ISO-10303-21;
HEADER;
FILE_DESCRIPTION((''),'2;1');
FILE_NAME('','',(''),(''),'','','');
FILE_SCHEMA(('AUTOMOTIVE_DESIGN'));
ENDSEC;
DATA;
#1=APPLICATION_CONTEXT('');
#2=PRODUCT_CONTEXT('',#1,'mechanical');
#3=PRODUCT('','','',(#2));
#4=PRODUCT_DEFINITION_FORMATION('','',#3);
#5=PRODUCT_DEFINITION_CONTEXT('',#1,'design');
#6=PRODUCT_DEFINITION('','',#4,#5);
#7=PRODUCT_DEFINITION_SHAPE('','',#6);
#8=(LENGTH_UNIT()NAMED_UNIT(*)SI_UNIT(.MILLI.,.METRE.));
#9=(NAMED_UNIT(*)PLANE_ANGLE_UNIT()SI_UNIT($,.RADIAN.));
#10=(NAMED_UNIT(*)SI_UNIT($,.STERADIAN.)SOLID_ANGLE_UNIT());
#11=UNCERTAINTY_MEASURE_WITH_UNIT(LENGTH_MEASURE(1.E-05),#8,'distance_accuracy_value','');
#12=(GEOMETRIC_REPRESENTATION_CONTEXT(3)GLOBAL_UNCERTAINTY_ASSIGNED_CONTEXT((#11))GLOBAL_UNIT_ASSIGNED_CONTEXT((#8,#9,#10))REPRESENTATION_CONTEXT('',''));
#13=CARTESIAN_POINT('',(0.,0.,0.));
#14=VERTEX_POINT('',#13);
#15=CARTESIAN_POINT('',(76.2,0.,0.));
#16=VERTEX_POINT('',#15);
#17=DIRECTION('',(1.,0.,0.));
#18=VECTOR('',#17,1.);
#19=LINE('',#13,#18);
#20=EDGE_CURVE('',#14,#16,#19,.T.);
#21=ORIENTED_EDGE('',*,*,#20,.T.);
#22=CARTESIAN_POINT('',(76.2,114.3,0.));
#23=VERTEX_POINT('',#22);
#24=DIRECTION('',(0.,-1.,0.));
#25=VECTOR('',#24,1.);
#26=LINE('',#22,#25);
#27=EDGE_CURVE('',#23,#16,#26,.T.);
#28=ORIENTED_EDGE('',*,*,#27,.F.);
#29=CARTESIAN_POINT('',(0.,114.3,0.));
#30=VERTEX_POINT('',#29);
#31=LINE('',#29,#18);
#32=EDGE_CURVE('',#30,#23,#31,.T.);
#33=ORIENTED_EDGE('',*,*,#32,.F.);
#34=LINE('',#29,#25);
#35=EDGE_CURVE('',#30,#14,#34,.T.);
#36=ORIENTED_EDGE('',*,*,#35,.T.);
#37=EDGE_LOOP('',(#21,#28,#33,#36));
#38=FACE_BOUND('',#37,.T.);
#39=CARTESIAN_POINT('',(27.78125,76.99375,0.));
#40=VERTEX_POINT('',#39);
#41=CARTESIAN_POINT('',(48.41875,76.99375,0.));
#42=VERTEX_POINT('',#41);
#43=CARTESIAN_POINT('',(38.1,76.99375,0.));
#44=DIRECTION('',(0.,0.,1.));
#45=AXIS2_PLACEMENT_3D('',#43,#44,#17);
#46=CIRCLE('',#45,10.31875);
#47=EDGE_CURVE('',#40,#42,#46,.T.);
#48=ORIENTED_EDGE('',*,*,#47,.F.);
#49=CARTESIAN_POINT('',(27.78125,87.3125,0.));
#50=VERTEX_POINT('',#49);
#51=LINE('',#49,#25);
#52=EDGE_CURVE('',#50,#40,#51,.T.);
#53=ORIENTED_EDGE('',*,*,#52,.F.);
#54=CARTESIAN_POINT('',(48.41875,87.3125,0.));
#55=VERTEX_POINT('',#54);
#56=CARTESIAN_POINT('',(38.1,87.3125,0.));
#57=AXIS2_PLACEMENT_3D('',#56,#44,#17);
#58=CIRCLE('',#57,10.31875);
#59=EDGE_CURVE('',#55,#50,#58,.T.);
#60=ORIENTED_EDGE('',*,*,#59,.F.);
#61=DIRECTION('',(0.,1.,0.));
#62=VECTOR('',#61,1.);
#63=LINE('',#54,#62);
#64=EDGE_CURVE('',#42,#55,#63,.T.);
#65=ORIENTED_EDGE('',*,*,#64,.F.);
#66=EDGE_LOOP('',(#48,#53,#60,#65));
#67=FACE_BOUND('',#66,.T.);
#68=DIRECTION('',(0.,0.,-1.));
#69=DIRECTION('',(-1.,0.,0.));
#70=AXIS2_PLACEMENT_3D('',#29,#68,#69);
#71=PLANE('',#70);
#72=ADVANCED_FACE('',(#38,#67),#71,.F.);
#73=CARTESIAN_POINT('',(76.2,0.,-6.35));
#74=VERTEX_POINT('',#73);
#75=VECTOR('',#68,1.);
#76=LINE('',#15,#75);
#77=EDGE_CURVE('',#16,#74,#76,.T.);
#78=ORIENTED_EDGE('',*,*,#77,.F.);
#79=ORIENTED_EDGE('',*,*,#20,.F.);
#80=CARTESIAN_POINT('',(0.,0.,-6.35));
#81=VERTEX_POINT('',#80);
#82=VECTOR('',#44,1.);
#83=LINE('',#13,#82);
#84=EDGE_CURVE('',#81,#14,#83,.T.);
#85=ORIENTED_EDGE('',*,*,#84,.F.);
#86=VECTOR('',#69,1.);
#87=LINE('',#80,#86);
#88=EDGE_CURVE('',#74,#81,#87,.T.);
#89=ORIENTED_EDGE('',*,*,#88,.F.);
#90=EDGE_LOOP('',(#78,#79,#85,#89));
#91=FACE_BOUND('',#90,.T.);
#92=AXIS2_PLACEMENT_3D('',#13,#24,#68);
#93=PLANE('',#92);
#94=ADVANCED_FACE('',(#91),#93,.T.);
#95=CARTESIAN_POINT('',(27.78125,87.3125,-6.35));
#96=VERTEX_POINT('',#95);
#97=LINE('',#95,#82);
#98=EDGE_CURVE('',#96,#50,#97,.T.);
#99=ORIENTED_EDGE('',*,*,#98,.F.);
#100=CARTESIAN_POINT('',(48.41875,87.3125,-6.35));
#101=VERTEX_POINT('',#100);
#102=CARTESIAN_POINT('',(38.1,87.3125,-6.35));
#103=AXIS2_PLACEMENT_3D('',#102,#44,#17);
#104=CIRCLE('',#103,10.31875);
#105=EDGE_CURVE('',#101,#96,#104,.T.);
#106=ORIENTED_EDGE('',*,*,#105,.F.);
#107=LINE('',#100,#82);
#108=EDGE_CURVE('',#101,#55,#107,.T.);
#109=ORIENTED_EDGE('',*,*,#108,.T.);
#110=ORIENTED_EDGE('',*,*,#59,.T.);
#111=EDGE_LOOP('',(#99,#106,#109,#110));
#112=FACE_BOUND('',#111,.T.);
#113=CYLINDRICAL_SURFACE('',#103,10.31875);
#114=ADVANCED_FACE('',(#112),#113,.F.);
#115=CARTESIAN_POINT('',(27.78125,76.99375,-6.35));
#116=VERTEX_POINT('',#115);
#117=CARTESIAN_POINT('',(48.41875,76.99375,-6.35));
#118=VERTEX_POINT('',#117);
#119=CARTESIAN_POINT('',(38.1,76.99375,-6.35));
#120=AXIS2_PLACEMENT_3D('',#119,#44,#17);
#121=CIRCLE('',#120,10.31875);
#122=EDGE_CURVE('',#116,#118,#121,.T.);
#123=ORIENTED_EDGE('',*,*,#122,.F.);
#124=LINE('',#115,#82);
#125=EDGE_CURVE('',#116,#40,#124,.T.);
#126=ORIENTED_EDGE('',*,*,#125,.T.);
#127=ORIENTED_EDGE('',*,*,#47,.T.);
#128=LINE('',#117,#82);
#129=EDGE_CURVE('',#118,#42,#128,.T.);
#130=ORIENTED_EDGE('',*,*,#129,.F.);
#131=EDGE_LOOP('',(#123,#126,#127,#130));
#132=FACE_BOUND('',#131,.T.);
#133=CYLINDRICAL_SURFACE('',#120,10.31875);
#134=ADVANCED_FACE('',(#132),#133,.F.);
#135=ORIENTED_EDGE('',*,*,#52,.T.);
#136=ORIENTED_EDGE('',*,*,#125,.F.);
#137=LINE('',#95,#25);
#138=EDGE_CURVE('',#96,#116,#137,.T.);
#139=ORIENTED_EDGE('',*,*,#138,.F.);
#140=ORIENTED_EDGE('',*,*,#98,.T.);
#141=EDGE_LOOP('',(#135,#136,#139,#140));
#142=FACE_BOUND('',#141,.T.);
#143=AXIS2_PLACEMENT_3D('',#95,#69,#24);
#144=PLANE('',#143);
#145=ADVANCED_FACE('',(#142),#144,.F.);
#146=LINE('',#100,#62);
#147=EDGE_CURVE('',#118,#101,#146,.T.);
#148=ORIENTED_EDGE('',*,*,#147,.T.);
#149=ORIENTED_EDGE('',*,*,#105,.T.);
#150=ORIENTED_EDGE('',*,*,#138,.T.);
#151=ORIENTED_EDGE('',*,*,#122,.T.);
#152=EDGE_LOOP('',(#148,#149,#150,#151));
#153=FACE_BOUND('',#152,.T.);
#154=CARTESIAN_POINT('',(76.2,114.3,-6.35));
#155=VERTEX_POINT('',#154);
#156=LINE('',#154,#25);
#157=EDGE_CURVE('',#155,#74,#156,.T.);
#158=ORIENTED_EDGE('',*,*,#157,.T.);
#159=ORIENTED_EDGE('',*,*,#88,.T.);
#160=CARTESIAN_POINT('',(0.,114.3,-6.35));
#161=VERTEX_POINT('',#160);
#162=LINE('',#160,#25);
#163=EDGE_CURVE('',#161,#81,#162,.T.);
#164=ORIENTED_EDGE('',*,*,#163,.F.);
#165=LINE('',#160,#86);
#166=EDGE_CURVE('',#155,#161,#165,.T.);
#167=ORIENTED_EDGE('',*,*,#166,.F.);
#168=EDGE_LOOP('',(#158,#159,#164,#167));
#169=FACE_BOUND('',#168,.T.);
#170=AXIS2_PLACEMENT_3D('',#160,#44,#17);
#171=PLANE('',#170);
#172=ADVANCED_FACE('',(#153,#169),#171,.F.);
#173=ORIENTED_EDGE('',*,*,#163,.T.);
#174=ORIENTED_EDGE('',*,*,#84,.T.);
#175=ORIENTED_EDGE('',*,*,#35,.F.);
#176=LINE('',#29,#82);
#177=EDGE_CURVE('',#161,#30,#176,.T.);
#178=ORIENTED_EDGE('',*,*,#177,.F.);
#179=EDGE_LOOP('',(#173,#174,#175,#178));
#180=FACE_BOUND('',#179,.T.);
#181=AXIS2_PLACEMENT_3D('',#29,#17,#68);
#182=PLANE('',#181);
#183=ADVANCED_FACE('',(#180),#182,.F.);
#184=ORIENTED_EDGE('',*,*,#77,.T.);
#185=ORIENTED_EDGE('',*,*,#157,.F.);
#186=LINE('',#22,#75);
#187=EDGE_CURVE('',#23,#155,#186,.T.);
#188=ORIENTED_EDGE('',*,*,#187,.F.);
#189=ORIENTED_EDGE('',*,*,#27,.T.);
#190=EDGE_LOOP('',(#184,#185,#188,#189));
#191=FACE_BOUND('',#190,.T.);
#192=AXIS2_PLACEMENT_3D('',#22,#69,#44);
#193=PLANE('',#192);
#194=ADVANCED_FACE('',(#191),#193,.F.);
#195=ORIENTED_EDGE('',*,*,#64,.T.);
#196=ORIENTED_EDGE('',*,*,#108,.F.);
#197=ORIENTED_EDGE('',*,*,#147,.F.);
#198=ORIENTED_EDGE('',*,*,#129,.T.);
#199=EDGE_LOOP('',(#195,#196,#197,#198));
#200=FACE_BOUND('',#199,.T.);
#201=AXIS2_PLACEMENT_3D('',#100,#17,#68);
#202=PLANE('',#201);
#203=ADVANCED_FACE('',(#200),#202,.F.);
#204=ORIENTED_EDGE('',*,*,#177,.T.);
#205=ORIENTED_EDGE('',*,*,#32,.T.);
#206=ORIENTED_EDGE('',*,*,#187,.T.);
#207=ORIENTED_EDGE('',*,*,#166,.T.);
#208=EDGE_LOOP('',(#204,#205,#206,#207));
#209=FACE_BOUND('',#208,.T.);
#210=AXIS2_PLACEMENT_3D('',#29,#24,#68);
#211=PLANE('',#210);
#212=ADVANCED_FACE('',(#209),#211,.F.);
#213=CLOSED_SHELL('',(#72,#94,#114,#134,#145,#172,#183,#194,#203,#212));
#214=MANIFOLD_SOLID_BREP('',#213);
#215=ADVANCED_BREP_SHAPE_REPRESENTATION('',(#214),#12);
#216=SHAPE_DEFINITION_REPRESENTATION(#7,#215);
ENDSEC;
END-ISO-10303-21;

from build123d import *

# Parameters (mm, degrees)
SKETCH1_W           = 76.2
SKETCH1_H           = 6.35
BOSS_EXTRUDE1_DEPTH = 114.3
CUT_EXTRUDE1_DEPTH  = 7.35


with BuildPart() as part:
    # Sketch1 → Boss-Extrude1 (new body)
    with BuildSketch(Plane(origin=(0, 0, 0), x_dir=(1, 0, 0), z_dir=(0, 1, 0))):
        with Locations((38.1, 3.175)):
            Rectangle(SKETCH1_W, SKETCH1_H)
    extrude(amount=BOSS_EXTRUDE1_DEPTH)

    # Sketch2 → Cut-Extrude1 (cut, through all)
    with BuildSketch(Plane.XY):
        with BuildLine():
            Line((48.41875, 87.3125), (48.41875, 76.99375))
            ThreePointArc((48.41875, 76.99375), (38.1, 66.675), (27.78125, 76.99375))
            Line((27.78125, 76.99375), (27.78125, 87.3125))
            ThreePointArc((27.78125, 87.3125), (38.1, 97.63125), (48.41875, 87.3125))
        make_face()
    extrude(amount=-CUT_EXTRUDE1_DEPTH, mode=Mode.SUBTRACT)


solid = part.part
